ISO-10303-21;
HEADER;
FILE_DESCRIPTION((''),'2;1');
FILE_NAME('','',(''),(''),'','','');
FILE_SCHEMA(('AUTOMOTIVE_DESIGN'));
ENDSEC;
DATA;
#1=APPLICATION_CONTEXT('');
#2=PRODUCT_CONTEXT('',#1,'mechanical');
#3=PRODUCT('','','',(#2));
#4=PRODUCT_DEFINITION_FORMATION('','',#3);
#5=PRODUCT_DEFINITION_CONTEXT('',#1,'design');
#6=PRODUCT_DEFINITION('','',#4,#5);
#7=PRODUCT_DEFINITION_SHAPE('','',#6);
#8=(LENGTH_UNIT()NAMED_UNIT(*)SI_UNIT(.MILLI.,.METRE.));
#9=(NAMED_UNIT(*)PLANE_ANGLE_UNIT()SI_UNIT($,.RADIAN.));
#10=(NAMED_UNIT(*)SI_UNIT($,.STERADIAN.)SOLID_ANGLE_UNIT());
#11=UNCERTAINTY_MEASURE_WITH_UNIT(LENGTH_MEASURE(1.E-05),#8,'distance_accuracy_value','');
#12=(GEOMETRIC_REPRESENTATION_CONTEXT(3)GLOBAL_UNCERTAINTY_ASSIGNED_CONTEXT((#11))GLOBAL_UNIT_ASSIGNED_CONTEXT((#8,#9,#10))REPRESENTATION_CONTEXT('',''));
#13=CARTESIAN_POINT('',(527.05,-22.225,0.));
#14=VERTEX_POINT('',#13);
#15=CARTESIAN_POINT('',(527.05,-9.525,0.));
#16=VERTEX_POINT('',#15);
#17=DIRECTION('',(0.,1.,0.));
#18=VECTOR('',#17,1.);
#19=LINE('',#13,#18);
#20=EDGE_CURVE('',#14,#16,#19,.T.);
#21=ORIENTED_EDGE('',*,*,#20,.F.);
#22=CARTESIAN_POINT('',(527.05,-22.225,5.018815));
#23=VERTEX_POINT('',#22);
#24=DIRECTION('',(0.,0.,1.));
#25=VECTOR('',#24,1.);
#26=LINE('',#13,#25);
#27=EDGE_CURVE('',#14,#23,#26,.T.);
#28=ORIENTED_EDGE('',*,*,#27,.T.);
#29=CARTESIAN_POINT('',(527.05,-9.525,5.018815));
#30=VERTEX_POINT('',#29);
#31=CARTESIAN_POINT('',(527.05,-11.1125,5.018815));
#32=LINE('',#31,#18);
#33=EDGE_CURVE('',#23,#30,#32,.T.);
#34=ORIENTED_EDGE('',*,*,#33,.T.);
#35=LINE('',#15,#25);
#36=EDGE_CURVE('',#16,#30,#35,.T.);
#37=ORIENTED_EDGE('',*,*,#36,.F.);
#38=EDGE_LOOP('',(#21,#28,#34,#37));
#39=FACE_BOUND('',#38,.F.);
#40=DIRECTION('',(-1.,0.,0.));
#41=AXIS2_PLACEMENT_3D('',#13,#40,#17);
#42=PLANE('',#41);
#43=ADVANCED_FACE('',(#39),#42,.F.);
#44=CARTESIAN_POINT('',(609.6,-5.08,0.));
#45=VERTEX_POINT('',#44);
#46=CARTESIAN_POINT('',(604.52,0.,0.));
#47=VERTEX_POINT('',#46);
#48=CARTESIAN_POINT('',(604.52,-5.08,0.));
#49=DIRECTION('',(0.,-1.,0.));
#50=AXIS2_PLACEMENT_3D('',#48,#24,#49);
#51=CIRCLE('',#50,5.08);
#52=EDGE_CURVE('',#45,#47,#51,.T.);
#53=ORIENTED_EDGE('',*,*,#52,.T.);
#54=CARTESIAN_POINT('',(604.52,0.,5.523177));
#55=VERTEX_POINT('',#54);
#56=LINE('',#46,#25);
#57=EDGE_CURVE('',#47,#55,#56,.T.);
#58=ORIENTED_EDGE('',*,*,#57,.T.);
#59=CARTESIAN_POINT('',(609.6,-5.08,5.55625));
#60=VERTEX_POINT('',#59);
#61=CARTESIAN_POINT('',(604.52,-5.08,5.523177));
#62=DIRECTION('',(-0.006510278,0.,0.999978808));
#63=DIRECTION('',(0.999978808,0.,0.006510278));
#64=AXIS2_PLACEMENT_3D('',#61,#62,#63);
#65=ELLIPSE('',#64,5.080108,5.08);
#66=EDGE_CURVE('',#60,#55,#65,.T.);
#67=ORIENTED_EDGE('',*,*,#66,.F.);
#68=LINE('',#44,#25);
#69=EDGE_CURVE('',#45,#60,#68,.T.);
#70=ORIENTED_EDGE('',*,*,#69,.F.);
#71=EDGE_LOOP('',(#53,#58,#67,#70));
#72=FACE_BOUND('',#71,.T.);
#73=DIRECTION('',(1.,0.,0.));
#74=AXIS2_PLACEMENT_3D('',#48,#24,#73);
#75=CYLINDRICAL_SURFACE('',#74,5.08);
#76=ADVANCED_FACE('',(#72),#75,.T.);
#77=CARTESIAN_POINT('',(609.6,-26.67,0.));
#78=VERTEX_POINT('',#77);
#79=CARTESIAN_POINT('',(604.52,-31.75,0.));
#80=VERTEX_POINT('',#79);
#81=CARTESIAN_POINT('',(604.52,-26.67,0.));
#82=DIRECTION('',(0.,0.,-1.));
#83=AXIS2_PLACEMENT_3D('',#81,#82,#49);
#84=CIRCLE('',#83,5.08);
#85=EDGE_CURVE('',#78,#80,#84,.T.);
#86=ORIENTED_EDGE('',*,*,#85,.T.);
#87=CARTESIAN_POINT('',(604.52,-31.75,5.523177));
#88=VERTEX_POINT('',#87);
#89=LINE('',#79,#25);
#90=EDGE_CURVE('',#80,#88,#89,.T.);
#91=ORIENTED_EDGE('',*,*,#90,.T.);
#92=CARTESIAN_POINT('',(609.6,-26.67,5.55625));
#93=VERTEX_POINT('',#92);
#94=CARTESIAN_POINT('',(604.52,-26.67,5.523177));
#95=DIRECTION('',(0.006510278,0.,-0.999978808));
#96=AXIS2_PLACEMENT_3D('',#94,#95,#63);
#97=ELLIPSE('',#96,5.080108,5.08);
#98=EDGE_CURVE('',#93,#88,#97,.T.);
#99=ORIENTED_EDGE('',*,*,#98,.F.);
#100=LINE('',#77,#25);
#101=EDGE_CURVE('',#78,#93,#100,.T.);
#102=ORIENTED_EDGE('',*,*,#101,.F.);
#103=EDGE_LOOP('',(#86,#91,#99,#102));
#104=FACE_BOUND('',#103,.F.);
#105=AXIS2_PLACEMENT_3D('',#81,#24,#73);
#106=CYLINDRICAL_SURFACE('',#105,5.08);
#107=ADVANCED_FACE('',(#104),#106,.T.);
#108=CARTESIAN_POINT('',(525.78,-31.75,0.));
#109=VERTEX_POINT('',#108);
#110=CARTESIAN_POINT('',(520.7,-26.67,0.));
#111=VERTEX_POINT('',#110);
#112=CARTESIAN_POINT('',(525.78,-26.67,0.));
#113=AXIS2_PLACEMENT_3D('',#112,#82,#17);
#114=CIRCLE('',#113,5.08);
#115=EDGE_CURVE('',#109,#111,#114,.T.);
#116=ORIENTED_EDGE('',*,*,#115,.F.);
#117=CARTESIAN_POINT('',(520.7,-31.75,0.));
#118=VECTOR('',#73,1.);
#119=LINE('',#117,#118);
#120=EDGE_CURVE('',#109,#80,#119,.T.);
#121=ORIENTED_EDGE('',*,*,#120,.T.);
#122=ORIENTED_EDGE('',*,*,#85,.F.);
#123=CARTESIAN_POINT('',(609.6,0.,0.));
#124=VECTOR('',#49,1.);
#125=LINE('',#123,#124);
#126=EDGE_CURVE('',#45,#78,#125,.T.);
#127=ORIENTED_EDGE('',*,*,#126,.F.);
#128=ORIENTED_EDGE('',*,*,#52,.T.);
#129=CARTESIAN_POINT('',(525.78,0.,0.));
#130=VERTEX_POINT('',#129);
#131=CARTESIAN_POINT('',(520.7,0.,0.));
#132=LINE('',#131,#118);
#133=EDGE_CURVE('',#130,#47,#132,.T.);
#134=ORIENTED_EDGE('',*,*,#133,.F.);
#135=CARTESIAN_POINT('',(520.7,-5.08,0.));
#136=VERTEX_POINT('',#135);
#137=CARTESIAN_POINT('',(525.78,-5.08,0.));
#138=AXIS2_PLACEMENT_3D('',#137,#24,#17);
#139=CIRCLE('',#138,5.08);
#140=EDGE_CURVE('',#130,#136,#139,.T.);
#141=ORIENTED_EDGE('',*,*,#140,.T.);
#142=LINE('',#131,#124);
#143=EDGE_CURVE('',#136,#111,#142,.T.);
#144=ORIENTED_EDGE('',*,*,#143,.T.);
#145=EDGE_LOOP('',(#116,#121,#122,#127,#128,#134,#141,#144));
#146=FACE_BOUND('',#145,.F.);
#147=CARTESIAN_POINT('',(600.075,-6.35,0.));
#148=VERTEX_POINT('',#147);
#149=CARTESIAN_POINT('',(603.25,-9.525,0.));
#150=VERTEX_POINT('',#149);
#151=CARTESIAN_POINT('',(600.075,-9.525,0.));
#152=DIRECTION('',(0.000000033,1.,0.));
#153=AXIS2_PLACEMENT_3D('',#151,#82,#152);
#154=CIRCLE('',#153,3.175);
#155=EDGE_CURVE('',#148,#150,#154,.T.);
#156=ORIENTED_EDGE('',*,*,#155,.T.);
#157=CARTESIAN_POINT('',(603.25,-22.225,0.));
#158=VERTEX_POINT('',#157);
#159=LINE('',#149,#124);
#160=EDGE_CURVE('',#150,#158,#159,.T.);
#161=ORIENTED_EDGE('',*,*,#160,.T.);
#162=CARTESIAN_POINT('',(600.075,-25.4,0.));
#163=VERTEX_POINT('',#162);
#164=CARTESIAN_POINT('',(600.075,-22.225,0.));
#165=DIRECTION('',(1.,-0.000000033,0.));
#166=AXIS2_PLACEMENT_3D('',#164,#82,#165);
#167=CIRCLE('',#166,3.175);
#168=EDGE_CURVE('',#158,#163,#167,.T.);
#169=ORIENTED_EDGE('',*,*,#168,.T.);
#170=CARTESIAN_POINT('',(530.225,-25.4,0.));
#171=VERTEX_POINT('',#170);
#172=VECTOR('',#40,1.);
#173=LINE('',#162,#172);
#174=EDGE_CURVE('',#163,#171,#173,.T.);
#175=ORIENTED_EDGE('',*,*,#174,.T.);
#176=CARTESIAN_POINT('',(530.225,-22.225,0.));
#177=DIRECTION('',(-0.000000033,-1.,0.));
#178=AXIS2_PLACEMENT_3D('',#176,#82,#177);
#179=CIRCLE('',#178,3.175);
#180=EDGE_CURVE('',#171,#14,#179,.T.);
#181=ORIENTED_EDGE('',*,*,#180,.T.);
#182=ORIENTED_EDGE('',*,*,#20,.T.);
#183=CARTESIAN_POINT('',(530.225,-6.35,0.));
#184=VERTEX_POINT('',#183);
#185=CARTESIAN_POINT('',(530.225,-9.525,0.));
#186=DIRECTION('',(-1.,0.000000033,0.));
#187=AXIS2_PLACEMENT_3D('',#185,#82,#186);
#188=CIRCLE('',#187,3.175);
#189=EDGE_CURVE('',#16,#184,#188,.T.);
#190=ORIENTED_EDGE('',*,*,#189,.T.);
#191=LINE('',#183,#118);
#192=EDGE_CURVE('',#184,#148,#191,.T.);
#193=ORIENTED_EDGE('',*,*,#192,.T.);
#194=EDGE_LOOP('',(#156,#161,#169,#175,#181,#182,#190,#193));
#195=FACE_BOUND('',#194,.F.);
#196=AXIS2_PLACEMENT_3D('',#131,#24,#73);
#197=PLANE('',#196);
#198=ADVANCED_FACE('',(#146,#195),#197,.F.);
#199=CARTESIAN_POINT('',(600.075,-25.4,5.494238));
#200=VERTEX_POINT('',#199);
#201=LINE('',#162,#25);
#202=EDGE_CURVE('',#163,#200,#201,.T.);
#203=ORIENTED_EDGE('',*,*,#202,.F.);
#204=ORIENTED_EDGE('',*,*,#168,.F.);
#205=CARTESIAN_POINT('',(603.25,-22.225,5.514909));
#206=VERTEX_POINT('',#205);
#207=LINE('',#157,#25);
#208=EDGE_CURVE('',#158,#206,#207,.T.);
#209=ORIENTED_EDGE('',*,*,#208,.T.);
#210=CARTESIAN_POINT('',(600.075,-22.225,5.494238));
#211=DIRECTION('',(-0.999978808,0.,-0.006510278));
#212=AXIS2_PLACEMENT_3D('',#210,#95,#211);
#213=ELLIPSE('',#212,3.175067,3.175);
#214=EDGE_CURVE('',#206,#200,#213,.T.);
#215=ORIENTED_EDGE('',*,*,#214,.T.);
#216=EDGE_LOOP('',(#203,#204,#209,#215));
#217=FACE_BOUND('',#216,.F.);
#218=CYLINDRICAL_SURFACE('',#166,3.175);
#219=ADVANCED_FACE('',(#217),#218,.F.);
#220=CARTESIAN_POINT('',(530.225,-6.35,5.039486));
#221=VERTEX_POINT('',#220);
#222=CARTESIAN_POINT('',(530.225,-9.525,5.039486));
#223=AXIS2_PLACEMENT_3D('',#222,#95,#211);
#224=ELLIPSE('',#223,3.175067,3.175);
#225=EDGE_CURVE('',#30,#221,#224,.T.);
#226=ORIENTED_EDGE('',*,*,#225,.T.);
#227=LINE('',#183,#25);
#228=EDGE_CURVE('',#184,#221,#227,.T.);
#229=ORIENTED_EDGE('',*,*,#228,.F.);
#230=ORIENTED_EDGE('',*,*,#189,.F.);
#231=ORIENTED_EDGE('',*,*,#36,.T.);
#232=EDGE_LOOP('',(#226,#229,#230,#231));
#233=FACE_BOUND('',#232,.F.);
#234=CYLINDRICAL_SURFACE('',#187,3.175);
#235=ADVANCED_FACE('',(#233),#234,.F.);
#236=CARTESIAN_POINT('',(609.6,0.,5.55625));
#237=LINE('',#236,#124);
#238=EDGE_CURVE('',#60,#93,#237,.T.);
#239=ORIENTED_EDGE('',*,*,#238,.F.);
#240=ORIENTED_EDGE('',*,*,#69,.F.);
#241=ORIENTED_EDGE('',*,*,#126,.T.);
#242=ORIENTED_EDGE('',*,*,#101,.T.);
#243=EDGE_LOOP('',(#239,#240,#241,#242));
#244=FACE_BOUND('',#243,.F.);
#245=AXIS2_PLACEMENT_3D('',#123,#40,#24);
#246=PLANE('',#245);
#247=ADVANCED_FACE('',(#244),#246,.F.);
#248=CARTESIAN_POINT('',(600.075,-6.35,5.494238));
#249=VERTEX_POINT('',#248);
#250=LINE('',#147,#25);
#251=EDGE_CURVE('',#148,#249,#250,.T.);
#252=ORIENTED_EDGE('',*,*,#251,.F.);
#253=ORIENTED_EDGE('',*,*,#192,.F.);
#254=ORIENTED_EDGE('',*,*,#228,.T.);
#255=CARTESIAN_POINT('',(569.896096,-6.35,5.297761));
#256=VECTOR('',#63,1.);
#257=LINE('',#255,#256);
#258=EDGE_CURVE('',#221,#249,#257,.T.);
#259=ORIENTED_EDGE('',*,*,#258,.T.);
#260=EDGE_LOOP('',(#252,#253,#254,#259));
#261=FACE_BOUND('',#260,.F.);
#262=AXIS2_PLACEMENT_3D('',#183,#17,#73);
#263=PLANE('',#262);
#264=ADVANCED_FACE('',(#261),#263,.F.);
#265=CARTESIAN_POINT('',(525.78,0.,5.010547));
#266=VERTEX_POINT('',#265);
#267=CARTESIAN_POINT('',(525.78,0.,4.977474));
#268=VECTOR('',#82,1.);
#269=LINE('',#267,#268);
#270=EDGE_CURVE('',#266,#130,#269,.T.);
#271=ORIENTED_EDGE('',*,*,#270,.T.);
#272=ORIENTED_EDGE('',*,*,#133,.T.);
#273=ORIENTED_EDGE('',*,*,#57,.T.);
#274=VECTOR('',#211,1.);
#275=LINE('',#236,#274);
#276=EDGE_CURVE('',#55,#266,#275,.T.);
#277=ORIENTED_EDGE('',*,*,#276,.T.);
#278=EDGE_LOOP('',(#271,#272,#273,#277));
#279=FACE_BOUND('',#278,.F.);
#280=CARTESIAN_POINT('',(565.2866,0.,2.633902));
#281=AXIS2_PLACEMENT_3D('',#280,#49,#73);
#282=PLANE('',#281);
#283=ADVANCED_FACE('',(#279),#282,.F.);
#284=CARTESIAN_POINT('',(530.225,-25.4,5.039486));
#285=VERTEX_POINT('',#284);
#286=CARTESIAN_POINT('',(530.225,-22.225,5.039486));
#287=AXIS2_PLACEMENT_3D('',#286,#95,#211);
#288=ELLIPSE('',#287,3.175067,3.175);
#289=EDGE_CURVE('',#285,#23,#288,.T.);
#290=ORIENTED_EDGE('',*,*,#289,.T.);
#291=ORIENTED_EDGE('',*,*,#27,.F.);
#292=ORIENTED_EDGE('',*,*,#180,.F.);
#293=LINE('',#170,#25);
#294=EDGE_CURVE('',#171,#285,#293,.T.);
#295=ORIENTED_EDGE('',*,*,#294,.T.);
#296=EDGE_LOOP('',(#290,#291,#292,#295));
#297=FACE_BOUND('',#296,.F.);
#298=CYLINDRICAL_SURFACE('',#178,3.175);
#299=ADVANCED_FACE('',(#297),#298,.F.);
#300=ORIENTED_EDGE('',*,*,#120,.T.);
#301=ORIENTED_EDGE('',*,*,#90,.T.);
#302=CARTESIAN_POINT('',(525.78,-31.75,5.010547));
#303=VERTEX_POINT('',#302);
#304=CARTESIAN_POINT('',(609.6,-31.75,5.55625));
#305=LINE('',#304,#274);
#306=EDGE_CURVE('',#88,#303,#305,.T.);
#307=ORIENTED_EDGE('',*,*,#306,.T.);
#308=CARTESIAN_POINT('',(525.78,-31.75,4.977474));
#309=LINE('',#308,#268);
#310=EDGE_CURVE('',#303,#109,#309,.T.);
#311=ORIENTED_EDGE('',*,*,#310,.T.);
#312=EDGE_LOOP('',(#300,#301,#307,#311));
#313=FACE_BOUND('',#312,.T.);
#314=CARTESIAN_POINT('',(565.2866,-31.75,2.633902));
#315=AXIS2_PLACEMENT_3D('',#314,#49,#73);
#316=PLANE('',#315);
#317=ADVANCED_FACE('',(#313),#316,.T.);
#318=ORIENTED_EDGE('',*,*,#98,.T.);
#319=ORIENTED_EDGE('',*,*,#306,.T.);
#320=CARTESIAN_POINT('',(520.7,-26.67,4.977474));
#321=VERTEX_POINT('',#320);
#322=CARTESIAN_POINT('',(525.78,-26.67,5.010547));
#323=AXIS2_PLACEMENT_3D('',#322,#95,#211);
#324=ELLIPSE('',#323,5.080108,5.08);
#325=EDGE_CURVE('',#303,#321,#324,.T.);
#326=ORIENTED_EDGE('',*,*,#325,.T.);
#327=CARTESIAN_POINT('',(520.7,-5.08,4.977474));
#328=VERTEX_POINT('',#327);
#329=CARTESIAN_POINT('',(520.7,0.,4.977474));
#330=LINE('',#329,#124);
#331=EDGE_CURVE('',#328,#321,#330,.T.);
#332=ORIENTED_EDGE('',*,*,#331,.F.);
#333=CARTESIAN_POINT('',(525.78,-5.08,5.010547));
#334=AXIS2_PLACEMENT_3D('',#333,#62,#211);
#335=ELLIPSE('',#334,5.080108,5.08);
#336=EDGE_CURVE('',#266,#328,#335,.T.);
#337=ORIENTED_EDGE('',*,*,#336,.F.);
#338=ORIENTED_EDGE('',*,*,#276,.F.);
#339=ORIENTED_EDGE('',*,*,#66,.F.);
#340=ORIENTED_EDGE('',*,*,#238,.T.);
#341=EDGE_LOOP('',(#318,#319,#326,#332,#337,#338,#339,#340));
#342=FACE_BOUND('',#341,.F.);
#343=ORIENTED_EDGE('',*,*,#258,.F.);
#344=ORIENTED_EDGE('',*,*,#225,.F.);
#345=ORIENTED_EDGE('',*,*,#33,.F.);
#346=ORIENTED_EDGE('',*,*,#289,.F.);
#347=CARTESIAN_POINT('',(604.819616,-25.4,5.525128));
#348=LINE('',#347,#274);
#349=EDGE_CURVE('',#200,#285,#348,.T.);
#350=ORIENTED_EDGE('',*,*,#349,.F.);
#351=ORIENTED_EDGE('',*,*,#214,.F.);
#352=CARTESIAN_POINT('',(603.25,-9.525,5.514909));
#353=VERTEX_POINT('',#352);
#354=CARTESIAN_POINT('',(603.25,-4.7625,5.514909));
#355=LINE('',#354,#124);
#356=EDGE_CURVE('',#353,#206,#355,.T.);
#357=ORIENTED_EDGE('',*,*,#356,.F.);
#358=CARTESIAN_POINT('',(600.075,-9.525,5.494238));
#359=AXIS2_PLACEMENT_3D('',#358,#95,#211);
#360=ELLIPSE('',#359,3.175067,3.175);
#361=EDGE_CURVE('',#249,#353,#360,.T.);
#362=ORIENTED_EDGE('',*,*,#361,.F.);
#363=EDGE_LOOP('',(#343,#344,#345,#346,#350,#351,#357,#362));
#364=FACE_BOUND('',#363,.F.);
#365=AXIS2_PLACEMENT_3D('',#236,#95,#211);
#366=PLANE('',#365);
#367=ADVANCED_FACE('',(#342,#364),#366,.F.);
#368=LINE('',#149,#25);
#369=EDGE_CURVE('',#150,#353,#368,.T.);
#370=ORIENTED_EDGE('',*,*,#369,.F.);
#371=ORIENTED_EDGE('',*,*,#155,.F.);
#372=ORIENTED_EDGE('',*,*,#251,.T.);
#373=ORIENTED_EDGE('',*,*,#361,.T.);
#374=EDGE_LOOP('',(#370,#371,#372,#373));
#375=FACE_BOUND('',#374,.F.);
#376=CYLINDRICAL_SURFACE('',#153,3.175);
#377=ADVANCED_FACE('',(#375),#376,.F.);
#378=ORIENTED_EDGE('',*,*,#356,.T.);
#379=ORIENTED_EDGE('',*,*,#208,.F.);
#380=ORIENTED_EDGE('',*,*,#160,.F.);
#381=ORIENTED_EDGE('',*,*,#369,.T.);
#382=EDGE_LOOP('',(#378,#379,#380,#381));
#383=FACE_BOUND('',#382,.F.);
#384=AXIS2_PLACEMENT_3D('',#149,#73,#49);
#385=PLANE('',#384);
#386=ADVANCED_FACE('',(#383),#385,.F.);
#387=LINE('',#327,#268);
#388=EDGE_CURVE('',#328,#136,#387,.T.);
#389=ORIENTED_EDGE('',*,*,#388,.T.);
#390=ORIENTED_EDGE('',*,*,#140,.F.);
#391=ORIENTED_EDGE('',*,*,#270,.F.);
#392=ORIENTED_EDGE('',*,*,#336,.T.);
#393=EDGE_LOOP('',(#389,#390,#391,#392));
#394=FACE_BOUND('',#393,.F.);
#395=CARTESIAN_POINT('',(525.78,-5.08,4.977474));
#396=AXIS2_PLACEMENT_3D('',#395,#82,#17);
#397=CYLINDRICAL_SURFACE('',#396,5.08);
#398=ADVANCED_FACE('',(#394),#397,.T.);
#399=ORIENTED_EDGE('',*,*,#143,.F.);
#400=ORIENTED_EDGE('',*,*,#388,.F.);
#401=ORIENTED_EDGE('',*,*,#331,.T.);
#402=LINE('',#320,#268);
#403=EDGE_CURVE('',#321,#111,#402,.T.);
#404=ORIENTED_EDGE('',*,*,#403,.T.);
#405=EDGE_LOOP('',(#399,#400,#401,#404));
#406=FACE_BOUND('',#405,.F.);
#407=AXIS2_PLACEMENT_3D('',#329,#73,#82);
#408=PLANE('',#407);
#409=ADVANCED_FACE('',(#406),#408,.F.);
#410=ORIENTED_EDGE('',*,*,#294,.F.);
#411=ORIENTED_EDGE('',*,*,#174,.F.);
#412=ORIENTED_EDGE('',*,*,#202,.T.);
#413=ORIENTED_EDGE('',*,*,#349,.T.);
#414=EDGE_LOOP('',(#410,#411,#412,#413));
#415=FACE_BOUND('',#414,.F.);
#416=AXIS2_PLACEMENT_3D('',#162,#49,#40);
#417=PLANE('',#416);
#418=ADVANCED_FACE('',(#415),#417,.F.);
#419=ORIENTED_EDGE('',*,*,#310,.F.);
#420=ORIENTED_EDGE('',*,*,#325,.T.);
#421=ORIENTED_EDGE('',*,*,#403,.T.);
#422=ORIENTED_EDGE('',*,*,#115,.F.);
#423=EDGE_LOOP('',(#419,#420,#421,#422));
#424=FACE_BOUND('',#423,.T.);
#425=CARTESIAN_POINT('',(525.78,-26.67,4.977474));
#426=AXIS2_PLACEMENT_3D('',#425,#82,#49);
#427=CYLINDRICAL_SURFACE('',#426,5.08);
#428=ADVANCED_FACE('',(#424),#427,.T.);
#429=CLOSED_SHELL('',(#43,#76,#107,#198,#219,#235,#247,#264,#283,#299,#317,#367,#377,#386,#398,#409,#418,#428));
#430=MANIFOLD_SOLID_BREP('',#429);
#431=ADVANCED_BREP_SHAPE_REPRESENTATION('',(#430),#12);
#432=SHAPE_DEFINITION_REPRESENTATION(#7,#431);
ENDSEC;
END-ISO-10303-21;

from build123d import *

# Parameters (mm, degrees)
F3_DEPTH = 31.75
F5_DEPTH = 5.55725
F6_R     = 5.08


with BuildPart() as f3:
    # F1 (on Front) → F3 (new body)
    with BuildSketch(Plane.XZ):
        Polygon((609.6, 0), (609.6, 5.55625), (520.7, 4.977474), (520.7, 0), align=None)
    extrude(amount=F3_DEPTH)

    # F4 (on face) → F5 (cut, through all)
    with BuildSketch(Plane(origin=(0, 0, 0), x_dir=(1, 0, 0), z_dir=(0, 0, -1))):
        with BuildLine():
            Line((600.075, 25.4), (530.225, 25.4))
            ThreePointArc((530.225, 25.4), (527.979936, 24.470064), (527.05, 22.225))
            Line((527.05, 22.225), (527.05, 9.525))
            ThreePointArc((527.05, 9.525), (527.979936, 7.279936), (530.225, 6.35))
            Line((530.225, 6.35), (600.075, 6.35))
            ThreePointArc((600.075, 6.35), (602.320064, 7.279936), (603.25, 9.525))
            Line((603.25, 9.525), (603.25, 22.225))
            ThreePointArc((603.25, 22.225), (602.320064, 24.470064), (600.075, 25.4))
        make_face()
    extrude(amount=-F5_DEPTH, mode=Mode.SUBTRACT)

    # F6
    f6_edges = [f3.edges().sort_by_distance(p)[0] for p in [
        (520.7, -31.75, 2.488737),
        (520.7, 0, 2.488737),
        (609.6, -31.75, 2.778125),
        (609.6, 0, 2.778125),
    ]]
    fillet(f6_edges, radius=F6_R)


solid = f3.part
